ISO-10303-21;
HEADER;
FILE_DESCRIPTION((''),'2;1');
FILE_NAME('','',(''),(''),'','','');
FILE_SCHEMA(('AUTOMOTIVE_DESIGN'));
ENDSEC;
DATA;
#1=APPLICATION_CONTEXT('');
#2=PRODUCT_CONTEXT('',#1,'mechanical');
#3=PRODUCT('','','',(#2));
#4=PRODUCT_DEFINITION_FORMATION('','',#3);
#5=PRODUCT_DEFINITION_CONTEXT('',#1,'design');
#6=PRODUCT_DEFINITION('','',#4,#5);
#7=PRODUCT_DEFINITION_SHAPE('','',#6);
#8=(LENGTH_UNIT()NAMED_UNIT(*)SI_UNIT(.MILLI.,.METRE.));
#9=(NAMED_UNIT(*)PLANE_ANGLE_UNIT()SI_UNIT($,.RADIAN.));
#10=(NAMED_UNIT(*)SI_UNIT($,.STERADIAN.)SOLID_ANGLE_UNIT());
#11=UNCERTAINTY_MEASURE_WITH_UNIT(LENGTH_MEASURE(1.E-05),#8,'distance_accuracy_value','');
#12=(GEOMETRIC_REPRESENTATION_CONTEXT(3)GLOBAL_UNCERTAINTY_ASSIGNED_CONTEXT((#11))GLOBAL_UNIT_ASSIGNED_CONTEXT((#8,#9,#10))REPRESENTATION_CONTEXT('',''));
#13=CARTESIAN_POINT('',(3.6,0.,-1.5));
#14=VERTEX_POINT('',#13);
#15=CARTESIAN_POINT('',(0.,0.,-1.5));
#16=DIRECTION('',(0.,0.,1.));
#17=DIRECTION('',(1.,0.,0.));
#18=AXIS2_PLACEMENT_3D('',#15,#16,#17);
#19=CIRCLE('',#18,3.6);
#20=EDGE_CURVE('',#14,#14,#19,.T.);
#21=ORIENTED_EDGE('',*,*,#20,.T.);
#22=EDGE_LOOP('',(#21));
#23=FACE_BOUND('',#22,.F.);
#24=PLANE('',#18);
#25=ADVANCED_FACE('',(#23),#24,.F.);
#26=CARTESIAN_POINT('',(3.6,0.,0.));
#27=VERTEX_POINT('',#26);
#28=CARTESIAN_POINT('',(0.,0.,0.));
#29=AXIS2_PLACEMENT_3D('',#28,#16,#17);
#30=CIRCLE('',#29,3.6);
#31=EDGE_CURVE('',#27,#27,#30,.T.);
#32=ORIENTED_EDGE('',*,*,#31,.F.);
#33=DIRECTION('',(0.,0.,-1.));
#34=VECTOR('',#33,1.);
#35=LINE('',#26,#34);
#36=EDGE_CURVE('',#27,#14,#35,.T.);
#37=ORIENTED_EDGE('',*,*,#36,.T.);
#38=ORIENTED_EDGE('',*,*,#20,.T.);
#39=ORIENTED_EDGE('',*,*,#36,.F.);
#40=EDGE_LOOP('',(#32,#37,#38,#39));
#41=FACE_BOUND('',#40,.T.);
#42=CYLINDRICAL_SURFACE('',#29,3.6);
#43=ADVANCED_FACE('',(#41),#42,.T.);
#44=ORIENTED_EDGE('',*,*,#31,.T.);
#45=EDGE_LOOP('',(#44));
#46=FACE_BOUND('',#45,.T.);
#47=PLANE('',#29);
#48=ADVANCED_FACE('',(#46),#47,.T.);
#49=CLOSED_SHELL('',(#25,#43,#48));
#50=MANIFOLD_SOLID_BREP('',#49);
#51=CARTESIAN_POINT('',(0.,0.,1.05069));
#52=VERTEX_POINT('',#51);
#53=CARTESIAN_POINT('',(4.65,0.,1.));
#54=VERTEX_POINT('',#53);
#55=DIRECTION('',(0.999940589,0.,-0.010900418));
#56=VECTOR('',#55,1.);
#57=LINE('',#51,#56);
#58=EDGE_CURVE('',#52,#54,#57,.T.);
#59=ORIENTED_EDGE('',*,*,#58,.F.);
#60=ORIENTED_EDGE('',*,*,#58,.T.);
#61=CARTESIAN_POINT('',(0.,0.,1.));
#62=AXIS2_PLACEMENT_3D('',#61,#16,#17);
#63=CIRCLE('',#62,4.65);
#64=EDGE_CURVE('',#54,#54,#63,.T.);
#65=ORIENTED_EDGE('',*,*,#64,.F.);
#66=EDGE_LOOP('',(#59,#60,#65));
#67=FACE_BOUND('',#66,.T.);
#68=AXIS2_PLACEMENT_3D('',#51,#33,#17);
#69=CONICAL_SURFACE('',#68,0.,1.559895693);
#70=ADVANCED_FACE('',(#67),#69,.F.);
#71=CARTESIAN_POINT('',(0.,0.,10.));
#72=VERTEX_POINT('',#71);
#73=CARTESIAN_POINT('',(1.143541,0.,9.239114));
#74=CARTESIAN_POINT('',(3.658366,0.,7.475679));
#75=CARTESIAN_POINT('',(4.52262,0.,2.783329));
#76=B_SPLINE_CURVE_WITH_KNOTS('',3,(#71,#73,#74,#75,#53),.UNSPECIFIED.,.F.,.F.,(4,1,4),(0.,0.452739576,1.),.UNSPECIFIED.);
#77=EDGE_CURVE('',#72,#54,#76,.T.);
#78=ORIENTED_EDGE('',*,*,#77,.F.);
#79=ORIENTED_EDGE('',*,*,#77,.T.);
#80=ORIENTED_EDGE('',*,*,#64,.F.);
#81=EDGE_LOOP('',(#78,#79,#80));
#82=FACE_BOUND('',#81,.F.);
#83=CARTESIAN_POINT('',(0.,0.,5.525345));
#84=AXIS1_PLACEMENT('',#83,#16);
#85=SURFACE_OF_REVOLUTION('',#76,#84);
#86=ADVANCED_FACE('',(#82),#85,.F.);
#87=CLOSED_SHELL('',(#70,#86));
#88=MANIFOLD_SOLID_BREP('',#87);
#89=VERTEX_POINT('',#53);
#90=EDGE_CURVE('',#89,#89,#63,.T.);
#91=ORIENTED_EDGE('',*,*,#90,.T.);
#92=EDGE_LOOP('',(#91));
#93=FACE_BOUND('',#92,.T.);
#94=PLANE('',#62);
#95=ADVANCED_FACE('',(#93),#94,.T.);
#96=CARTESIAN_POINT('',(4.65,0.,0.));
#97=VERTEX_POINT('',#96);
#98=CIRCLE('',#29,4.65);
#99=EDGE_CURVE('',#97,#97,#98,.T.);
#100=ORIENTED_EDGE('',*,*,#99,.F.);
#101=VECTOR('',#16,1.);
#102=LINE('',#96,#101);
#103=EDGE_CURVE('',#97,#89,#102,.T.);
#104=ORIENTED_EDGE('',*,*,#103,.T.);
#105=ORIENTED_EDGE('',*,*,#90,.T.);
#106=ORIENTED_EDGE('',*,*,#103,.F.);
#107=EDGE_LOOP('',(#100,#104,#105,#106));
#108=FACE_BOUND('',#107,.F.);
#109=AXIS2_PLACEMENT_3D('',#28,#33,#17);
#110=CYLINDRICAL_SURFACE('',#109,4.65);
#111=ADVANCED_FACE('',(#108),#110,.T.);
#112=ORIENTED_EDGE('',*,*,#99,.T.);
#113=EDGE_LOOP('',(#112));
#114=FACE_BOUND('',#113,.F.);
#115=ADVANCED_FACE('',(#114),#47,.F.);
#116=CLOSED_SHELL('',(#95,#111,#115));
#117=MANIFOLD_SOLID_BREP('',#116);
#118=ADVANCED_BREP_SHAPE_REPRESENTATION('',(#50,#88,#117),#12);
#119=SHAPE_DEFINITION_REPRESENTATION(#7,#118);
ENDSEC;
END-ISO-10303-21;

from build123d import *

# Parameters (mm, degrees)
F0_R     = 3.6
F1_DEPTH = 1.5
F0_R_2   = 4.65
F2_DEPTH = 1


with BuildPart() as f1:
    # F0 (on Top) → F1 (new body)
    with BuildSketch(Plane.XY):
        Circle(F0_R)
    extrude(amount=-F1_DEPTH)


with BuildPart() as f2:
    # F0 (on Top) → F2 (new body)
    with BuildSketch(Plane.XY):
        Circle(F0_R_2)
        Circle(F0_R, mode=Mode.SUBTRACT)
        Circle(F0_R)
    extrude(amount=F2_DEPTH)


with BuildPart() as f4:
    # F3 (on Front) → F4 (revolve)
    with BuildSketch(Plane.XZ):
        with BuildLine():
            add(Edge.make_bspline(
                [(0, 10), (1.1435414179, 9.2391139842), (3.6583657211, 7.4756786018), (4.5226199194, 2.78332867), (4.65, 1)],
                knots=[0, 0, 0, 0, 0.4527395759, 1, 1, 1, 1], degree=3))
            Line((0, 10), (0, 1.0506899562))
            Line((0, 1.0506899562), (4.65, 1))
        make_face()
    revolve(axis=Axis((0, 0, 5.5253449781), (0, 0, 1)))


solid = Compound([f1.part, f2.part, f4.part])
